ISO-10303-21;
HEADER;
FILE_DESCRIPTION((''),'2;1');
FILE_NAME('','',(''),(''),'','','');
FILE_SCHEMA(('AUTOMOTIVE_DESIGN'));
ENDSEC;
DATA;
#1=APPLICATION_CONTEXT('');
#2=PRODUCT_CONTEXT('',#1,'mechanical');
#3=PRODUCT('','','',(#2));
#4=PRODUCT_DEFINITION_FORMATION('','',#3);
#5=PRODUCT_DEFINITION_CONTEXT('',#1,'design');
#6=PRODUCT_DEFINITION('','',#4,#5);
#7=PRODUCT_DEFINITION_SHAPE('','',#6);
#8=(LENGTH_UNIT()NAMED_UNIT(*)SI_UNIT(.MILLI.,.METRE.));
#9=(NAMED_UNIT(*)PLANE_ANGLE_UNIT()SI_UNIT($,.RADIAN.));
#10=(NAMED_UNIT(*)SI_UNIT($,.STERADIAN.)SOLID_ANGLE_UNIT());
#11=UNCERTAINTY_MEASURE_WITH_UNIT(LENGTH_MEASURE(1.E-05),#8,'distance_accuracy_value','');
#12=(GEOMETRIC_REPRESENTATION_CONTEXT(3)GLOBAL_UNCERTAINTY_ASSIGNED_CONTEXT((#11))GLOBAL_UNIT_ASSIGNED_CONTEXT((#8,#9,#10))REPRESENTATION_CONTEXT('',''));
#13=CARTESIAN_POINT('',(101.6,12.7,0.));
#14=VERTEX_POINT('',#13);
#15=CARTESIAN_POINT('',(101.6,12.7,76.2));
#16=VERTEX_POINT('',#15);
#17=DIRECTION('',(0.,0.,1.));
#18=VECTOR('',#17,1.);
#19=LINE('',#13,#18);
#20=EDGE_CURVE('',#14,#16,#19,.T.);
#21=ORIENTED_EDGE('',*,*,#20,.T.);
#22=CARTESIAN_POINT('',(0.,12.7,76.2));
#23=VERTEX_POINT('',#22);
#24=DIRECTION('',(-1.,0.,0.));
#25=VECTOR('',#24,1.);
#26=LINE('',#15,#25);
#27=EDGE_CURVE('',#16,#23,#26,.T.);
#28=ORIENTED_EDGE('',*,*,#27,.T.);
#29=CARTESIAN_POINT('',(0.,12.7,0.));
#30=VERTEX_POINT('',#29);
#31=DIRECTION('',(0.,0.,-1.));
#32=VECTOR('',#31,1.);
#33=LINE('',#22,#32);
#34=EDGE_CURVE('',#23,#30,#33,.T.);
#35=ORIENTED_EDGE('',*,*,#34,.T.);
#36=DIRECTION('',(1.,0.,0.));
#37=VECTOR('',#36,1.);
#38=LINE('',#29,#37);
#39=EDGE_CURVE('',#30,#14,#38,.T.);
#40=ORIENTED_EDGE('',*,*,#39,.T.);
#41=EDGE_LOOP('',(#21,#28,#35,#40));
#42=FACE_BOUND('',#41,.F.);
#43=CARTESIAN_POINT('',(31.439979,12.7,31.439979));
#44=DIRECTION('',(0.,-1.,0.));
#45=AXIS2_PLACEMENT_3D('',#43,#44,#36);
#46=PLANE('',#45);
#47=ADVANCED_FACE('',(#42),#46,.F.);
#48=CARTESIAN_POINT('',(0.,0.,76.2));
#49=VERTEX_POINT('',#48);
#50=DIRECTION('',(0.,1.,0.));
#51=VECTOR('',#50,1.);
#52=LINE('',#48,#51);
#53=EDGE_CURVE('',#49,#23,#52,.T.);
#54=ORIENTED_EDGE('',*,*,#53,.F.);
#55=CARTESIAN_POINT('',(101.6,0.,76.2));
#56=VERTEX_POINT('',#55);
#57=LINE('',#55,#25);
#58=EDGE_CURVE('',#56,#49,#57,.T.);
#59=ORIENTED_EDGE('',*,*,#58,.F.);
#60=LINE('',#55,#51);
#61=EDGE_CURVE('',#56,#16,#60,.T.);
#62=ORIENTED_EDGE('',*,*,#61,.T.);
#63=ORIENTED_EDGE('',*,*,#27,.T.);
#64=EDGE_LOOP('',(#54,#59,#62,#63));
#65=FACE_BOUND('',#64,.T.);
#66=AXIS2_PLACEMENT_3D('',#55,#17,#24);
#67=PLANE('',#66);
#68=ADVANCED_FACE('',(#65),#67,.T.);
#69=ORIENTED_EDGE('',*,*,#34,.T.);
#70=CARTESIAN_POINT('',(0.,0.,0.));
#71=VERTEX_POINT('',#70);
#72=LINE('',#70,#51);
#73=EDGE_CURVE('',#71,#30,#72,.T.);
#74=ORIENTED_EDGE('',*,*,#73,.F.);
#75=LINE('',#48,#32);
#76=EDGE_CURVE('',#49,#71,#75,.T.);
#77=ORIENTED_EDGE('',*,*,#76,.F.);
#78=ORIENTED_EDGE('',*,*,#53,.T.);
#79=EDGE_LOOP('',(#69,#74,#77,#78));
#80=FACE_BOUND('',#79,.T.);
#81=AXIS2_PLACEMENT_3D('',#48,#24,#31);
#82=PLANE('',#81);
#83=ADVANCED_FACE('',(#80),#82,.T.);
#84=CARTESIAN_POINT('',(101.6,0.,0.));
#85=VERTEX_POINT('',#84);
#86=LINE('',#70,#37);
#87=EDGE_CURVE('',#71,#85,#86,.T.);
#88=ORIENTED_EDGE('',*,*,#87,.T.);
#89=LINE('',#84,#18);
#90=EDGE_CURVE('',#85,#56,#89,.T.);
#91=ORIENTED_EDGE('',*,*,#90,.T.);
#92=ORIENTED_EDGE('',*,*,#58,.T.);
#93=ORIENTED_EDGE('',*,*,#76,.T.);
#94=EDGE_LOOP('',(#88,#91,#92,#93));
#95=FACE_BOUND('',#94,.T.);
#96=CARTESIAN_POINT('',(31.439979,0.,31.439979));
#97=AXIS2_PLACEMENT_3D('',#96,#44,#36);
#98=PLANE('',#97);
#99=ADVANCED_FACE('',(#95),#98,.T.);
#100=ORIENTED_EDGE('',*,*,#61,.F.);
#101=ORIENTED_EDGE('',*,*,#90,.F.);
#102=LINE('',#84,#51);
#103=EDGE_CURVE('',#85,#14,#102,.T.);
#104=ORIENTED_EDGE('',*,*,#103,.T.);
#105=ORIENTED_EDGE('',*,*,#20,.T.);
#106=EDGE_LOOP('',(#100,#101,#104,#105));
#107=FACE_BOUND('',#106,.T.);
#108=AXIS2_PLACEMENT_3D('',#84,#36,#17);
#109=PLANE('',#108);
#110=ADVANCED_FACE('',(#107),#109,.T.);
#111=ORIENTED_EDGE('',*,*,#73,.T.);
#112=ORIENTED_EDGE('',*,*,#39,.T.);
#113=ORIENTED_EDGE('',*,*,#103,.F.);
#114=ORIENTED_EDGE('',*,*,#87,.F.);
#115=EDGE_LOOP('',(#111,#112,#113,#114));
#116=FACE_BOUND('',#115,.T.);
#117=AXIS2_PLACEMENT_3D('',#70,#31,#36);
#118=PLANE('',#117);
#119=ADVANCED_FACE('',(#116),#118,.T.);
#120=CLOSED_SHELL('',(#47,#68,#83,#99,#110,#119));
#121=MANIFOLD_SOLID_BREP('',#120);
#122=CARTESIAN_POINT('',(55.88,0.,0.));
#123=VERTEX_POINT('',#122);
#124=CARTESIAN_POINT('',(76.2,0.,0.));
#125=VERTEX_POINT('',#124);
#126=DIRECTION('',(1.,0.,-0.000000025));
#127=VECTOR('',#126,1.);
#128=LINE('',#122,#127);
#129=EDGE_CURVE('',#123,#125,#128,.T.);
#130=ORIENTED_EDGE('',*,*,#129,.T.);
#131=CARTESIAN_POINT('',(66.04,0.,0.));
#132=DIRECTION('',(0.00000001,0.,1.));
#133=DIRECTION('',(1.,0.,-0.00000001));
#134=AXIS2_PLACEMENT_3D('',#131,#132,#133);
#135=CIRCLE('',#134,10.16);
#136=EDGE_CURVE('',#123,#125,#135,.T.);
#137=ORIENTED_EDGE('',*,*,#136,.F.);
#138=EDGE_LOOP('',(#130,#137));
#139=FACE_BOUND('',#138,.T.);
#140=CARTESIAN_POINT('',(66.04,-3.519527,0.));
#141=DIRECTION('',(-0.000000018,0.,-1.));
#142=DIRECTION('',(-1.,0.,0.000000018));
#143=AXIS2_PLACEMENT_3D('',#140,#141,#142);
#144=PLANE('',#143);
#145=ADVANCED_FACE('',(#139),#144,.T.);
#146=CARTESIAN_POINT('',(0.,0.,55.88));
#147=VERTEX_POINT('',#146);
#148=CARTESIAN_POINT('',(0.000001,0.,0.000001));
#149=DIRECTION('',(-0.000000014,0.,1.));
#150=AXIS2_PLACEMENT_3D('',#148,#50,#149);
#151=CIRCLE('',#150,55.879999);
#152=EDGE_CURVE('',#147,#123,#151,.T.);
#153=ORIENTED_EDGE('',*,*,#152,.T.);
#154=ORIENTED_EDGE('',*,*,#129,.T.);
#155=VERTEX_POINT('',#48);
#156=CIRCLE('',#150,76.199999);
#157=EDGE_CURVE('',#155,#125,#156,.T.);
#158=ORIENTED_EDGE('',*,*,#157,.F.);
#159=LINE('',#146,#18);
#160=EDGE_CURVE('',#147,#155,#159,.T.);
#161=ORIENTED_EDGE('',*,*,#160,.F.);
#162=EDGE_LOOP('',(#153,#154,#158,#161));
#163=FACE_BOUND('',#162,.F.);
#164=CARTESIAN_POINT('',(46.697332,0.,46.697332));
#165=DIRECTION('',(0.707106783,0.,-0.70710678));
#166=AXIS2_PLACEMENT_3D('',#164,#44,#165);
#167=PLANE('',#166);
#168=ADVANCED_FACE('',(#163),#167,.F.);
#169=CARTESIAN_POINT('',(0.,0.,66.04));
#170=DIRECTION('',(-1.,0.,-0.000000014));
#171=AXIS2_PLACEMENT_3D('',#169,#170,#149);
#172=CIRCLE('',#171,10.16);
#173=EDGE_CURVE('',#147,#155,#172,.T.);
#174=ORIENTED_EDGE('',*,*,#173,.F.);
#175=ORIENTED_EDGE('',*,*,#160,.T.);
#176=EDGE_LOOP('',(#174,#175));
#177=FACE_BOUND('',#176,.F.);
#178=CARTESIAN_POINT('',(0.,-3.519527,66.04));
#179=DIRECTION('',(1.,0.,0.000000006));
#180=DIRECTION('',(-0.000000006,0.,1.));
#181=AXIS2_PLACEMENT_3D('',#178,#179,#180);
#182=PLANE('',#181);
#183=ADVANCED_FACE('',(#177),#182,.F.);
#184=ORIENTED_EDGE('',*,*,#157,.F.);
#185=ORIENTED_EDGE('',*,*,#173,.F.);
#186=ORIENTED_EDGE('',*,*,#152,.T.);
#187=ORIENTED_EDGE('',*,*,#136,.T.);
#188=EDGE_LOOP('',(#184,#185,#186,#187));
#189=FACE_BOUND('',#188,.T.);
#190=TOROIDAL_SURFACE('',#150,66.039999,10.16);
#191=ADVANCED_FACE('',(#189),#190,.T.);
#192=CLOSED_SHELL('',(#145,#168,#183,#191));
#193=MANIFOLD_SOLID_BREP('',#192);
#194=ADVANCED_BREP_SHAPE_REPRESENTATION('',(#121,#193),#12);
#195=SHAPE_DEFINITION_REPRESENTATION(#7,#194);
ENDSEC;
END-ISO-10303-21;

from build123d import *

# Parameters (mm, degrees)
F1_DEPTH = 12.7


with BuildPart() as f1:
    # F0 (on Front) → F1 (new body)
    with BuildSketch(Plane.XZ):
        with BuildLine():
            Line((0, 76.2), (0, 0))
            Line((0, 0), (76.2, 0))
            ThreePointArc((76.2, 0), (53.881537, 53.881537), (0, 76.2))
        make_face()
        with BuildLine():
            ThreePointArc((0, 76.2), (53.881537, 53.881537), (76.2, 0))
            Line((76.2, 0), (101.6, 0))
            Line((101.6, 0), (101.6, 76.2))
            Line((101.6, 76.2), (0, 76.2))
        make_face()
    extrude(amount=-F1_DEPTH)


with BuildPart() as f3:
    # F3: sweep along a path in F0
    with BuildLine(Plane.XZ) as f3_path:
        ThreePointArc((0, 76.2), (53.881537, 53.881537), (76.2, 0))
    # F2 (on Right) → F3 (sweep)
    with BuildSketch(Plane.YZ):
        with BuildLine():
            ThreePointArc((0, 76.2), (-10.16, 66.04), (0, 55.88))
            Line((0, 55.88), (0, 76.2))
        make_face()
    sweep(path=f3_path.line)


solid = Compound([f1.part, f3.part])
